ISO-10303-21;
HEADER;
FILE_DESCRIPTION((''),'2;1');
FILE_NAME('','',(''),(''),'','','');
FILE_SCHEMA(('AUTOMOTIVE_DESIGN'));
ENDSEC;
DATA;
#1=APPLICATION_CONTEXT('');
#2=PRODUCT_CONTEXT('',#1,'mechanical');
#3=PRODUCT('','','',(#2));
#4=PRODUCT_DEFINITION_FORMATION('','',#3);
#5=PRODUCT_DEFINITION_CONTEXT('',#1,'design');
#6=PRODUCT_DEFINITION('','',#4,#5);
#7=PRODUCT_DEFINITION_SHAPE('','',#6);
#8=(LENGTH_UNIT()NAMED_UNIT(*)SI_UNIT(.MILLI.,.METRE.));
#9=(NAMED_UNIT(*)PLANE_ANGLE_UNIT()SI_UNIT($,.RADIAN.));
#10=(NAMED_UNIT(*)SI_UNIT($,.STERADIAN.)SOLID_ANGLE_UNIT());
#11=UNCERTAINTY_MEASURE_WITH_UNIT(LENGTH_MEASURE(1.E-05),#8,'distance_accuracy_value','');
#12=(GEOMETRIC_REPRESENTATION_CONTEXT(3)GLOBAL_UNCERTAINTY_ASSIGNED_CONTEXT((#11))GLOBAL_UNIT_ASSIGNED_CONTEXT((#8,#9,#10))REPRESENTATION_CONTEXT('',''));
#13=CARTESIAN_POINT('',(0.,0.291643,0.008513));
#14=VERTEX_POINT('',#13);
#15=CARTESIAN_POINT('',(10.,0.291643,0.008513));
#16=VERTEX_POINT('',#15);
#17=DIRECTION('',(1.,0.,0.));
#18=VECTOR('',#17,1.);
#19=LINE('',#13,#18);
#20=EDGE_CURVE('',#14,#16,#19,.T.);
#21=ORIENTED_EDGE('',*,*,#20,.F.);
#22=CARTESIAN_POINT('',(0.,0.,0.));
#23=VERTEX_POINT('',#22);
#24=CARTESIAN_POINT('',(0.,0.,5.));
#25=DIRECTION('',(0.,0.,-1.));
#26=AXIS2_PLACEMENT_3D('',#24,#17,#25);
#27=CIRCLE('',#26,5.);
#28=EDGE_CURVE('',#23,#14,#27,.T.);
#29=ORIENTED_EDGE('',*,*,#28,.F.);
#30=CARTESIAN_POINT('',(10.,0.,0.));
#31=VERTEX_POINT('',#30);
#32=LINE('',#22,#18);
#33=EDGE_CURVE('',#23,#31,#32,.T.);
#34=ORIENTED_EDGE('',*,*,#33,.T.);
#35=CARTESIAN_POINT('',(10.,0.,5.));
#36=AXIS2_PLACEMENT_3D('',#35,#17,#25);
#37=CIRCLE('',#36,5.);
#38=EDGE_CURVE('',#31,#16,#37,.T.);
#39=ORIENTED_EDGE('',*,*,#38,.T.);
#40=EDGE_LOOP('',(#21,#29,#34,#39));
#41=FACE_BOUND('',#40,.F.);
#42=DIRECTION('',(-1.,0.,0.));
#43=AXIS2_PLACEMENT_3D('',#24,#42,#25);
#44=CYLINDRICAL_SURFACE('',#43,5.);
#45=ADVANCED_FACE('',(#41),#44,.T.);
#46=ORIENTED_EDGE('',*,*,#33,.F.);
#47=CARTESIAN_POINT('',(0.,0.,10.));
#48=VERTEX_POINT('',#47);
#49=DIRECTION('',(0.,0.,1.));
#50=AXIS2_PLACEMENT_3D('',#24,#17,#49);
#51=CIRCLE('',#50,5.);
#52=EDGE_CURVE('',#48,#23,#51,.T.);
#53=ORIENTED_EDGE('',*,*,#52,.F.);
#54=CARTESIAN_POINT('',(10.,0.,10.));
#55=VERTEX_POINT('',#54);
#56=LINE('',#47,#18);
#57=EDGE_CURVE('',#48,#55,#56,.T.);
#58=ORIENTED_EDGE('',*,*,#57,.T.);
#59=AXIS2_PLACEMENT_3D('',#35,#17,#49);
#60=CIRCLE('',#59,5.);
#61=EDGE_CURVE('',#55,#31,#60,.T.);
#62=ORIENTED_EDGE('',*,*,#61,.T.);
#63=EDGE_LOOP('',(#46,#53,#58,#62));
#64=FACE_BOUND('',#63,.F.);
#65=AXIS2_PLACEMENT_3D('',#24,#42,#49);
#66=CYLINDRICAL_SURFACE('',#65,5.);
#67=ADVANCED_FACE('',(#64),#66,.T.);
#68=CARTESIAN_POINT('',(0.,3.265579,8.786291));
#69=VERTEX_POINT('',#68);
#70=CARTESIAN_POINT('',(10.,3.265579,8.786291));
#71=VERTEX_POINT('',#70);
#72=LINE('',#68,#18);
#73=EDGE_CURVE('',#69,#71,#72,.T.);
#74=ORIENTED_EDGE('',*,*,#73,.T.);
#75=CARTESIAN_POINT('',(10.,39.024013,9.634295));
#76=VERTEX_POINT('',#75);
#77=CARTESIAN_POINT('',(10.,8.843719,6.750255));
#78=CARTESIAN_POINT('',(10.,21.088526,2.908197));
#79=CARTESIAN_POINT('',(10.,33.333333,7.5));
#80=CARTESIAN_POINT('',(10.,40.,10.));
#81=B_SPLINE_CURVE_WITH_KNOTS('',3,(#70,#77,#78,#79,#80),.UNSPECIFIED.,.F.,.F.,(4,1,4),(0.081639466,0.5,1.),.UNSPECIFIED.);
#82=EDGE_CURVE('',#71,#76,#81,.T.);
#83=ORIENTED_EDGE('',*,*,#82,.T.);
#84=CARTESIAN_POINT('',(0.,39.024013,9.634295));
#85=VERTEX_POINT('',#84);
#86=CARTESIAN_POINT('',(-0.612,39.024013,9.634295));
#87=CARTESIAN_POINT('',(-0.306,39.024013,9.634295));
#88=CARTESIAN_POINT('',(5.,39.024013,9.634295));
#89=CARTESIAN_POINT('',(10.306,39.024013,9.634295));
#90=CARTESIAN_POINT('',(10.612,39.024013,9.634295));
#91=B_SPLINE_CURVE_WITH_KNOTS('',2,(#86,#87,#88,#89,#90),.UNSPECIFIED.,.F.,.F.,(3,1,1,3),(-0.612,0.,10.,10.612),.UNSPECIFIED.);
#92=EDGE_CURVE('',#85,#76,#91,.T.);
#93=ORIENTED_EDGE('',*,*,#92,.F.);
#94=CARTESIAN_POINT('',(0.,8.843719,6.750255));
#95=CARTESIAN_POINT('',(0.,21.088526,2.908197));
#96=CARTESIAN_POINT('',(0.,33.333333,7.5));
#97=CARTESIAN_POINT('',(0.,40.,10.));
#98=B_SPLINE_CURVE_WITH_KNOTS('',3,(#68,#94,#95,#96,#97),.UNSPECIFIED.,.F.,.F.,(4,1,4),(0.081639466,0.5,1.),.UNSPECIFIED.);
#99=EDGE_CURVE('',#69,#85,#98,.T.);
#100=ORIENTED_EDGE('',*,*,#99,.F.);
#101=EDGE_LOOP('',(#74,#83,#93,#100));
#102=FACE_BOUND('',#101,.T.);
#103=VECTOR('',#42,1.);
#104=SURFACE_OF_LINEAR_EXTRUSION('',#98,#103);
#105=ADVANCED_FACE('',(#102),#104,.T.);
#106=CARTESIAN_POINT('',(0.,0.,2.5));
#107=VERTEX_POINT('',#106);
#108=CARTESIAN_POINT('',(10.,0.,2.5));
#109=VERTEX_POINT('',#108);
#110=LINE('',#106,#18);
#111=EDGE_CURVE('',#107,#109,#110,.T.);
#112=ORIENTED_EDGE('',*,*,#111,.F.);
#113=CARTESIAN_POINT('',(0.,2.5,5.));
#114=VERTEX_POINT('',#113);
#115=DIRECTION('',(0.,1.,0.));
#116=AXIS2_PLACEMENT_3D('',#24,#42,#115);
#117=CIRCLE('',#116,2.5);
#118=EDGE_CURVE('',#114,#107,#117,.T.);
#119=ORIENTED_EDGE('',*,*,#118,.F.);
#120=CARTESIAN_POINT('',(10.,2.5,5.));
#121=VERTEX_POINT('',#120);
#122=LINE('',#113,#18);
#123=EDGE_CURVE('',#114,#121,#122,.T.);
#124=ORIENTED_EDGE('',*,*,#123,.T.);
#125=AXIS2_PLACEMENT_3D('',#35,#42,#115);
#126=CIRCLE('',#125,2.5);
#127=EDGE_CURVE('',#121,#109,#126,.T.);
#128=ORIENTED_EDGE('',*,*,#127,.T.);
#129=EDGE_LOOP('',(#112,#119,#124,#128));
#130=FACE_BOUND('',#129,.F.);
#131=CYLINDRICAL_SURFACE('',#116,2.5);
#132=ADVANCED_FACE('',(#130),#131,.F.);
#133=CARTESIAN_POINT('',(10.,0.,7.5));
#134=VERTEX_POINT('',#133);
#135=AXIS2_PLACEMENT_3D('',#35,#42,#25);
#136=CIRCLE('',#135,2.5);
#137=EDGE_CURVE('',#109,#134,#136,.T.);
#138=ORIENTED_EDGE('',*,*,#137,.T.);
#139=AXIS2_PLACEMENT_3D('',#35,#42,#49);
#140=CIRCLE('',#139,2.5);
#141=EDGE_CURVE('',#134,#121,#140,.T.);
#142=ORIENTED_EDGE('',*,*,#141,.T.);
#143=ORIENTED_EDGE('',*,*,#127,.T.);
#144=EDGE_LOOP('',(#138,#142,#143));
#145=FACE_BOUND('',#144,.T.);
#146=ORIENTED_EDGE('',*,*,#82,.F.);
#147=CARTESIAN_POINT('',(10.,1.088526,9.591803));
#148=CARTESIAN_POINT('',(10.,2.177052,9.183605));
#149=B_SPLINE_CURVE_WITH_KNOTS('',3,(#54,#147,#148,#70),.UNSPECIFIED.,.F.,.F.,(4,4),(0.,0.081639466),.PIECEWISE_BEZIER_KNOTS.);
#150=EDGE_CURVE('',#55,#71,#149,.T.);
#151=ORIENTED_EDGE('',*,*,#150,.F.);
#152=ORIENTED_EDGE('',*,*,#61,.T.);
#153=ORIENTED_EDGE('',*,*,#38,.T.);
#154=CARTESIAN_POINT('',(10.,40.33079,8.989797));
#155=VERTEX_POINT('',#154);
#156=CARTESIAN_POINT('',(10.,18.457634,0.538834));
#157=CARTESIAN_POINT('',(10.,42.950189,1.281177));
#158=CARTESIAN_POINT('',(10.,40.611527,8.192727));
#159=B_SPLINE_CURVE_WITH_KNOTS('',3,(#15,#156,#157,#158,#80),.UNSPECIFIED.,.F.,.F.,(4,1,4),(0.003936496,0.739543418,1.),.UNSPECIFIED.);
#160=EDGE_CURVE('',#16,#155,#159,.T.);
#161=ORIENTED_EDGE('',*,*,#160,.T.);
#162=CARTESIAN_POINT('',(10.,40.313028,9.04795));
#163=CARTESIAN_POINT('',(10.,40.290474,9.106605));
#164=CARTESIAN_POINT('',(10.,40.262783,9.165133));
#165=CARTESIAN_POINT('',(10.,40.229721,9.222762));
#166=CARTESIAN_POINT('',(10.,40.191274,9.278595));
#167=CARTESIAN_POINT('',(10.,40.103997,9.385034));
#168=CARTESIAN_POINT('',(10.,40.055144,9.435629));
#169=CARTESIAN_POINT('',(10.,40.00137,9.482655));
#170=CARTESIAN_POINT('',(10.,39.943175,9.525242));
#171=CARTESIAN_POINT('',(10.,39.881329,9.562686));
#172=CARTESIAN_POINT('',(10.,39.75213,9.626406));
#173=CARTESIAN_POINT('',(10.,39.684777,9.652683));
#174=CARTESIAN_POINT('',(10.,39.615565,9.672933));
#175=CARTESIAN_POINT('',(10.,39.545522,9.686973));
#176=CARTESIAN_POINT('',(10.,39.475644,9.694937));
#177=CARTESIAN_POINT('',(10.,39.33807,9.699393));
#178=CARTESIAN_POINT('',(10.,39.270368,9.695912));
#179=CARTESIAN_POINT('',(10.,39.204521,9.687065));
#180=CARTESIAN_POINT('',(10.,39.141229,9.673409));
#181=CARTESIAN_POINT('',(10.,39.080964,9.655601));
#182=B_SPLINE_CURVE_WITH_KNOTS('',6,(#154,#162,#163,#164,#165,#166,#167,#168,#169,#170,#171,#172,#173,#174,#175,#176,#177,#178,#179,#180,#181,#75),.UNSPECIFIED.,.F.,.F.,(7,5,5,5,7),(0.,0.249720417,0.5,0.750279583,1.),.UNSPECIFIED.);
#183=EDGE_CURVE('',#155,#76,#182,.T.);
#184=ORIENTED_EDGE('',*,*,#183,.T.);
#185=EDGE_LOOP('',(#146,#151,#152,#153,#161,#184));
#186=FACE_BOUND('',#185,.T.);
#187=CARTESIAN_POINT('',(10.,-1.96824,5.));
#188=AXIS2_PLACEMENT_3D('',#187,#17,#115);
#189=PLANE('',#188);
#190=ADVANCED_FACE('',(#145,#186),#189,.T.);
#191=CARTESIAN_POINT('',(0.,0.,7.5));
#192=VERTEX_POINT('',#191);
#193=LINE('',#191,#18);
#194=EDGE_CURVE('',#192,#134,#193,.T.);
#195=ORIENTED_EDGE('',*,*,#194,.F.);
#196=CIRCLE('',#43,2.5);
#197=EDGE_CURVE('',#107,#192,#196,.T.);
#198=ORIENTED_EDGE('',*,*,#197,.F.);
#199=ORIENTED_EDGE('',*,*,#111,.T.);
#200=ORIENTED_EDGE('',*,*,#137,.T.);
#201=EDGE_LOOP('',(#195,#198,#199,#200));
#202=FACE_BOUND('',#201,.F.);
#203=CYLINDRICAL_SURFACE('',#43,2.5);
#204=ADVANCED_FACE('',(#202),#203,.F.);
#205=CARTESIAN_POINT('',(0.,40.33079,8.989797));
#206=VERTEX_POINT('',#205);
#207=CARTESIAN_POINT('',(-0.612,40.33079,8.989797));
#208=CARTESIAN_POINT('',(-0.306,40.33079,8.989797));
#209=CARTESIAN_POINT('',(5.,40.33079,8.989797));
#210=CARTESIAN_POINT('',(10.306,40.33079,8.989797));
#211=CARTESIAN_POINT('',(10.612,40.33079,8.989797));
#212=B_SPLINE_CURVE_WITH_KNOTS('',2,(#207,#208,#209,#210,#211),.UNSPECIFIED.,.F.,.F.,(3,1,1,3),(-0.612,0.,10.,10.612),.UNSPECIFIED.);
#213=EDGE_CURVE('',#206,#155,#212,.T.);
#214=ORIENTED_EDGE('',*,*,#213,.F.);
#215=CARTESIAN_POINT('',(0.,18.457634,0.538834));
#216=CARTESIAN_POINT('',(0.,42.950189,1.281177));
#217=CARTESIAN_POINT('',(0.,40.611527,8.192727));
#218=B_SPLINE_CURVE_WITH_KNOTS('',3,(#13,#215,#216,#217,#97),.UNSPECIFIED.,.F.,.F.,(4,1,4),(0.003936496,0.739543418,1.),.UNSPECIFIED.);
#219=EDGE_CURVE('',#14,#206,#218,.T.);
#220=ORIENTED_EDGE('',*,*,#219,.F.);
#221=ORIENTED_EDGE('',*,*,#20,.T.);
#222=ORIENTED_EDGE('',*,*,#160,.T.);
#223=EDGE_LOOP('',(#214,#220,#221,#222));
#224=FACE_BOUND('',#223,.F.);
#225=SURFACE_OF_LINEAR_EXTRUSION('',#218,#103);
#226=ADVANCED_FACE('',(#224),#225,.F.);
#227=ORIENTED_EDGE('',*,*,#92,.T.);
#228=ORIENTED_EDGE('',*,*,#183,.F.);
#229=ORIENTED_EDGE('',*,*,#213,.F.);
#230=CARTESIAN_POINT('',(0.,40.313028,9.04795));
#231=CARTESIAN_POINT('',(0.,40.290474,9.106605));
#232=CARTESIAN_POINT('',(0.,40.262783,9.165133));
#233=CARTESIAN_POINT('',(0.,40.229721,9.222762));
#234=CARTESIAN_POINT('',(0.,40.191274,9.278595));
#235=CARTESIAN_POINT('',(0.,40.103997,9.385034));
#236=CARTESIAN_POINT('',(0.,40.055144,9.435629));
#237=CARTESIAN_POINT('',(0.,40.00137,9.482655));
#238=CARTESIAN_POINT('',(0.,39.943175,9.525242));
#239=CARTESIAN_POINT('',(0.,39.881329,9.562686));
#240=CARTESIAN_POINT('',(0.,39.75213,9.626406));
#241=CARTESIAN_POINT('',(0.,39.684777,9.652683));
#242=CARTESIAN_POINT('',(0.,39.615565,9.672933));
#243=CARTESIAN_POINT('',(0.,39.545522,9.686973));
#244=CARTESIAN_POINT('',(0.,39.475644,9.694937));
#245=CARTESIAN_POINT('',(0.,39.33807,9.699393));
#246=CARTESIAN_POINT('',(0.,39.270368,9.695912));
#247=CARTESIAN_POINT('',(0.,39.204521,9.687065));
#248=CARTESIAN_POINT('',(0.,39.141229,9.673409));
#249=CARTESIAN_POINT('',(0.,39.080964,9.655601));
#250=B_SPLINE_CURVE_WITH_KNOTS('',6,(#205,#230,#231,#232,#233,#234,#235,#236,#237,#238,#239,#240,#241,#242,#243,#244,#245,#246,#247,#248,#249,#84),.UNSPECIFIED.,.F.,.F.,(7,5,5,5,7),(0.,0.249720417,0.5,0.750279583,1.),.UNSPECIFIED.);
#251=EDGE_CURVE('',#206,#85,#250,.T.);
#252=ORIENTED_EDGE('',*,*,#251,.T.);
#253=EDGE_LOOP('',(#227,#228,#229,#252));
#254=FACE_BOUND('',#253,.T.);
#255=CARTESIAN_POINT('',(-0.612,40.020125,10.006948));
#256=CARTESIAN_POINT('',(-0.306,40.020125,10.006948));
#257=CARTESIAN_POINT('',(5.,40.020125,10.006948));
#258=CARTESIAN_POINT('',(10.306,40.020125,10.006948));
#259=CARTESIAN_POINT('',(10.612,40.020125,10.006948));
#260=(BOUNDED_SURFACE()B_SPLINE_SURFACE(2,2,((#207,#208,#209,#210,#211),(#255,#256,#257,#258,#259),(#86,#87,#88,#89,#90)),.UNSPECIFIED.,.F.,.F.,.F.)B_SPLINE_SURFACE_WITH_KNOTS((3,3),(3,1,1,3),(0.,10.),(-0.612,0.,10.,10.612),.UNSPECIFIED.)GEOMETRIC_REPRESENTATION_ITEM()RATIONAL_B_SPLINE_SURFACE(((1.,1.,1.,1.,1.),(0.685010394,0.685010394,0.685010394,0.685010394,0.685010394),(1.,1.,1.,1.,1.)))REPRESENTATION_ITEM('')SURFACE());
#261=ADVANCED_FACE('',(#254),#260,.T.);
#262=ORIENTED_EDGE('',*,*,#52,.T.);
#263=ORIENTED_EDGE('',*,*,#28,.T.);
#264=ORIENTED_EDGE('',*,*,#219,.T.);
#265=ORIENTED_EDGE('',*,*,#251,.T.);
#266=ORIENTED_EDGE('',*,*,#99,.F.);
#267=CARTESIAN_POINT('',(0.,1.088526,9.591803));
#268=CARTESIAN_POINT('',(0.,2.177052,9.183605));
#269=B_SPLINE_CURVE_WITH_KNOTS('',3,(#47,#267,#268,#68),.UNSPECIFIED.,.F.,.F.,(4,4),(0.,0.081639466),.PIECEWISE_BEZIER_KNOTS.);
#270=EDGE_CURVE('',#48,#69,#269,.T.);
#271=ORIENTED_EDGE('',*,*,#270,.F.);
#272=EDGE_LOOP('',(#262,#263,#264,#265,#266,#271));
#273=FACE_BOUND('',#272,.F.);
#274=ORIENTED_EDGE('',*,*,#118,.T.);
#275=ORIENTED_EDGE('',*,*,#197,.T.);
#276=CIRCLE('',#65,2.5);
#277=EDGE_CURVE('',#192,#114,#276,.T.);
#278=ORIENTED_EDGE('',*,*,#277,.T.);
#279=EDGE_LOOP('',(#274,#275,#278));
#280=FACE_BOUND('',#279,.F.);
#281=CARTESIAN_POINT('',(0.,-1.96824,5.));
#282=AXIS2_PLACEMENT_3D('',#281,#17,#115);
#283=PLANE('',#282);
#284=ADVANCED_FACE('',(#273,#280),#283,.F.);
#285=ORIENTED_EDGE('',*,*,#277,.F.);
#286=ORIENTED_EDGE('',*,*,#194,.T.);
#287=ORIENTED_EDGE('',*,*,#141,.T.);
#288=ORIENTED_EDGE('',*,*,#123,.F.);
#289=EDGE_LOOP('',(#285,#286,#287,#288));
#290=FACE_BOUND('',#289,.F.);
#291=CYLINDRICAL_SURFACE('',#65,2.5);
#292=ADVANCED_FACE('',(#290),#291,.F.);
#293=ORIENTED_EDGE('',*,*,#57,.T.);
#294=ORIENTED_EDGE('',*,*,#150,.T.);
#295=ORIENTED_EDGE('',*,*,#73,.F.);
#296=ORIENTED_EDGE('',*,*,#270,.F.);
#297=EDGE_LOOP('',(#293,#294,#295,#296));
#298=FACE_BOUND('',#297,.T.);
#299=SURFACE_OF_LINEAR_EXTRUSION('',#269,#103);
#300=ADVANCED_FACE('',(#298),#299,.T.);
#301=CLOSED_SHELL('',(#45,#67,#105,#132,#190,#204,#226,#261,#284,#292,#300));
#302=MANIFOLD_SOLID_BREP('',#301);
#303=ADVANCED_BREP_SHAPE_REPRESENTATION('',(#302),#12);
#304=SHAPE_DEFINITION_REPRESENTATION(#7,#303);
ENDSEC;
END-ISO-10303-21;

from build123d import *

# Parameters (mm, degrees)
F1_DEPTH = 10
F2_R     = 1


with BuildPart() as f1:
    # F0 (on Right) → F1 (new body)
    with BuildSketch(Plane.YZ):
        with BuildLine():
            ThreePointArc((0, 10), (-5, 5), (0, 0))
            Line((0, 0), (0, 2.5))
            ThreePointArc((0, 2.5), (-2.5, 5), (0, 7.5))
            Line((0, 7.5), (0, 10))
        make_face()
        with BuildLine():
            add(Edge.make_bspline(
                [(0, 0), (0.0972149626, 0.0028374259), (0.1944299252, 0.0056748519), (0.2916426571, 0.0085127907)],
                knots=[0, 0, 0, 0, 0.0039364964, 0.0039364964, 0.0039364964, 0.0039364964], degree=3))
            ThreePointArc((0, 0), (0.1458834355, 0.0021286508), (0.2916426571, 0.0085127907))
        make_face()
        with BuildLine():
            Line((0, 2.5), (0, 0))
            add(Edge.make_bspline(
                [(0, 0), (0.0972149626, 0.0028374259), (0.1944299252, 0.0056748519), (0.2916426571, 0.0085127907)],
                knots=[0, 0, 0, 0, 0.0039364964, 0.0039364964, 0.0039364964, 0.0039364964], degree=3))
            ThreePointArc((0.2916426571, 0.0085127907), (4.7355888184, 3.3955690906), (3.265578635, 8.7862905566))
            add(Edge.make_bspline(
                [(0, 10), (1.0885262117, 9.5918026706), (2.1770524233, 9.1836053413), (3.265578635, 8.7862905566)],
                knots=[0, 0, 0, 0, 0.0816394659, 0.0816394659, 0.0816394659, 0.0816394659], degree=3))
            Line((0, 10), (0, 7.5))
            ThreePointArc((0, 7.5), (1.767766953, 6.767766953), (2.5, 5))
            ThreePointArc((2.5, 5), (1.767766953, 3.232233047), (0, 2.5))
        make_face()
        with BuildLine():
            ThreePointArc((3.265578635, 8.7862905566), (4.7355888184, 3.3955690906), (0.2916426571, 0.0085127907))
            add(Edge.make_bspline(
                [(0.2916426571, 0.0085127907), (18.4576336422, 0.538833975), (42.9501889839, 1.2811774104), (40.6115271438, 8.1927270746), (40, 10)],
                knots=[0.0039364964, 0.0039364964, 0.0039364964, 0.0039364964, 0.739543418, 1, 1, 1, 1], degree=3))
            add(Edge.make_bspline(
                [(3.265578635, 8.7862905566), (8.84371909, 6.7502553651), (21.0885262117, 2.9081973294), (33.3333333333, 7.5), (40, 10)],
                knots=[0.0816394659, 0.0816394659, 0.0816394659, 0.0816394659, 0.5, 1, 1, 1, 1], degree=3))
        make_face()
    extrude(amount=F1_DEPTH)

    # F2
    f2_edges = [f1.edges().sort_by_distance(p)[0] for p in [
        (5, 40, 10),
    ]]
    fillet(f2_edges, radius=F2_R)


solid = f1.part
